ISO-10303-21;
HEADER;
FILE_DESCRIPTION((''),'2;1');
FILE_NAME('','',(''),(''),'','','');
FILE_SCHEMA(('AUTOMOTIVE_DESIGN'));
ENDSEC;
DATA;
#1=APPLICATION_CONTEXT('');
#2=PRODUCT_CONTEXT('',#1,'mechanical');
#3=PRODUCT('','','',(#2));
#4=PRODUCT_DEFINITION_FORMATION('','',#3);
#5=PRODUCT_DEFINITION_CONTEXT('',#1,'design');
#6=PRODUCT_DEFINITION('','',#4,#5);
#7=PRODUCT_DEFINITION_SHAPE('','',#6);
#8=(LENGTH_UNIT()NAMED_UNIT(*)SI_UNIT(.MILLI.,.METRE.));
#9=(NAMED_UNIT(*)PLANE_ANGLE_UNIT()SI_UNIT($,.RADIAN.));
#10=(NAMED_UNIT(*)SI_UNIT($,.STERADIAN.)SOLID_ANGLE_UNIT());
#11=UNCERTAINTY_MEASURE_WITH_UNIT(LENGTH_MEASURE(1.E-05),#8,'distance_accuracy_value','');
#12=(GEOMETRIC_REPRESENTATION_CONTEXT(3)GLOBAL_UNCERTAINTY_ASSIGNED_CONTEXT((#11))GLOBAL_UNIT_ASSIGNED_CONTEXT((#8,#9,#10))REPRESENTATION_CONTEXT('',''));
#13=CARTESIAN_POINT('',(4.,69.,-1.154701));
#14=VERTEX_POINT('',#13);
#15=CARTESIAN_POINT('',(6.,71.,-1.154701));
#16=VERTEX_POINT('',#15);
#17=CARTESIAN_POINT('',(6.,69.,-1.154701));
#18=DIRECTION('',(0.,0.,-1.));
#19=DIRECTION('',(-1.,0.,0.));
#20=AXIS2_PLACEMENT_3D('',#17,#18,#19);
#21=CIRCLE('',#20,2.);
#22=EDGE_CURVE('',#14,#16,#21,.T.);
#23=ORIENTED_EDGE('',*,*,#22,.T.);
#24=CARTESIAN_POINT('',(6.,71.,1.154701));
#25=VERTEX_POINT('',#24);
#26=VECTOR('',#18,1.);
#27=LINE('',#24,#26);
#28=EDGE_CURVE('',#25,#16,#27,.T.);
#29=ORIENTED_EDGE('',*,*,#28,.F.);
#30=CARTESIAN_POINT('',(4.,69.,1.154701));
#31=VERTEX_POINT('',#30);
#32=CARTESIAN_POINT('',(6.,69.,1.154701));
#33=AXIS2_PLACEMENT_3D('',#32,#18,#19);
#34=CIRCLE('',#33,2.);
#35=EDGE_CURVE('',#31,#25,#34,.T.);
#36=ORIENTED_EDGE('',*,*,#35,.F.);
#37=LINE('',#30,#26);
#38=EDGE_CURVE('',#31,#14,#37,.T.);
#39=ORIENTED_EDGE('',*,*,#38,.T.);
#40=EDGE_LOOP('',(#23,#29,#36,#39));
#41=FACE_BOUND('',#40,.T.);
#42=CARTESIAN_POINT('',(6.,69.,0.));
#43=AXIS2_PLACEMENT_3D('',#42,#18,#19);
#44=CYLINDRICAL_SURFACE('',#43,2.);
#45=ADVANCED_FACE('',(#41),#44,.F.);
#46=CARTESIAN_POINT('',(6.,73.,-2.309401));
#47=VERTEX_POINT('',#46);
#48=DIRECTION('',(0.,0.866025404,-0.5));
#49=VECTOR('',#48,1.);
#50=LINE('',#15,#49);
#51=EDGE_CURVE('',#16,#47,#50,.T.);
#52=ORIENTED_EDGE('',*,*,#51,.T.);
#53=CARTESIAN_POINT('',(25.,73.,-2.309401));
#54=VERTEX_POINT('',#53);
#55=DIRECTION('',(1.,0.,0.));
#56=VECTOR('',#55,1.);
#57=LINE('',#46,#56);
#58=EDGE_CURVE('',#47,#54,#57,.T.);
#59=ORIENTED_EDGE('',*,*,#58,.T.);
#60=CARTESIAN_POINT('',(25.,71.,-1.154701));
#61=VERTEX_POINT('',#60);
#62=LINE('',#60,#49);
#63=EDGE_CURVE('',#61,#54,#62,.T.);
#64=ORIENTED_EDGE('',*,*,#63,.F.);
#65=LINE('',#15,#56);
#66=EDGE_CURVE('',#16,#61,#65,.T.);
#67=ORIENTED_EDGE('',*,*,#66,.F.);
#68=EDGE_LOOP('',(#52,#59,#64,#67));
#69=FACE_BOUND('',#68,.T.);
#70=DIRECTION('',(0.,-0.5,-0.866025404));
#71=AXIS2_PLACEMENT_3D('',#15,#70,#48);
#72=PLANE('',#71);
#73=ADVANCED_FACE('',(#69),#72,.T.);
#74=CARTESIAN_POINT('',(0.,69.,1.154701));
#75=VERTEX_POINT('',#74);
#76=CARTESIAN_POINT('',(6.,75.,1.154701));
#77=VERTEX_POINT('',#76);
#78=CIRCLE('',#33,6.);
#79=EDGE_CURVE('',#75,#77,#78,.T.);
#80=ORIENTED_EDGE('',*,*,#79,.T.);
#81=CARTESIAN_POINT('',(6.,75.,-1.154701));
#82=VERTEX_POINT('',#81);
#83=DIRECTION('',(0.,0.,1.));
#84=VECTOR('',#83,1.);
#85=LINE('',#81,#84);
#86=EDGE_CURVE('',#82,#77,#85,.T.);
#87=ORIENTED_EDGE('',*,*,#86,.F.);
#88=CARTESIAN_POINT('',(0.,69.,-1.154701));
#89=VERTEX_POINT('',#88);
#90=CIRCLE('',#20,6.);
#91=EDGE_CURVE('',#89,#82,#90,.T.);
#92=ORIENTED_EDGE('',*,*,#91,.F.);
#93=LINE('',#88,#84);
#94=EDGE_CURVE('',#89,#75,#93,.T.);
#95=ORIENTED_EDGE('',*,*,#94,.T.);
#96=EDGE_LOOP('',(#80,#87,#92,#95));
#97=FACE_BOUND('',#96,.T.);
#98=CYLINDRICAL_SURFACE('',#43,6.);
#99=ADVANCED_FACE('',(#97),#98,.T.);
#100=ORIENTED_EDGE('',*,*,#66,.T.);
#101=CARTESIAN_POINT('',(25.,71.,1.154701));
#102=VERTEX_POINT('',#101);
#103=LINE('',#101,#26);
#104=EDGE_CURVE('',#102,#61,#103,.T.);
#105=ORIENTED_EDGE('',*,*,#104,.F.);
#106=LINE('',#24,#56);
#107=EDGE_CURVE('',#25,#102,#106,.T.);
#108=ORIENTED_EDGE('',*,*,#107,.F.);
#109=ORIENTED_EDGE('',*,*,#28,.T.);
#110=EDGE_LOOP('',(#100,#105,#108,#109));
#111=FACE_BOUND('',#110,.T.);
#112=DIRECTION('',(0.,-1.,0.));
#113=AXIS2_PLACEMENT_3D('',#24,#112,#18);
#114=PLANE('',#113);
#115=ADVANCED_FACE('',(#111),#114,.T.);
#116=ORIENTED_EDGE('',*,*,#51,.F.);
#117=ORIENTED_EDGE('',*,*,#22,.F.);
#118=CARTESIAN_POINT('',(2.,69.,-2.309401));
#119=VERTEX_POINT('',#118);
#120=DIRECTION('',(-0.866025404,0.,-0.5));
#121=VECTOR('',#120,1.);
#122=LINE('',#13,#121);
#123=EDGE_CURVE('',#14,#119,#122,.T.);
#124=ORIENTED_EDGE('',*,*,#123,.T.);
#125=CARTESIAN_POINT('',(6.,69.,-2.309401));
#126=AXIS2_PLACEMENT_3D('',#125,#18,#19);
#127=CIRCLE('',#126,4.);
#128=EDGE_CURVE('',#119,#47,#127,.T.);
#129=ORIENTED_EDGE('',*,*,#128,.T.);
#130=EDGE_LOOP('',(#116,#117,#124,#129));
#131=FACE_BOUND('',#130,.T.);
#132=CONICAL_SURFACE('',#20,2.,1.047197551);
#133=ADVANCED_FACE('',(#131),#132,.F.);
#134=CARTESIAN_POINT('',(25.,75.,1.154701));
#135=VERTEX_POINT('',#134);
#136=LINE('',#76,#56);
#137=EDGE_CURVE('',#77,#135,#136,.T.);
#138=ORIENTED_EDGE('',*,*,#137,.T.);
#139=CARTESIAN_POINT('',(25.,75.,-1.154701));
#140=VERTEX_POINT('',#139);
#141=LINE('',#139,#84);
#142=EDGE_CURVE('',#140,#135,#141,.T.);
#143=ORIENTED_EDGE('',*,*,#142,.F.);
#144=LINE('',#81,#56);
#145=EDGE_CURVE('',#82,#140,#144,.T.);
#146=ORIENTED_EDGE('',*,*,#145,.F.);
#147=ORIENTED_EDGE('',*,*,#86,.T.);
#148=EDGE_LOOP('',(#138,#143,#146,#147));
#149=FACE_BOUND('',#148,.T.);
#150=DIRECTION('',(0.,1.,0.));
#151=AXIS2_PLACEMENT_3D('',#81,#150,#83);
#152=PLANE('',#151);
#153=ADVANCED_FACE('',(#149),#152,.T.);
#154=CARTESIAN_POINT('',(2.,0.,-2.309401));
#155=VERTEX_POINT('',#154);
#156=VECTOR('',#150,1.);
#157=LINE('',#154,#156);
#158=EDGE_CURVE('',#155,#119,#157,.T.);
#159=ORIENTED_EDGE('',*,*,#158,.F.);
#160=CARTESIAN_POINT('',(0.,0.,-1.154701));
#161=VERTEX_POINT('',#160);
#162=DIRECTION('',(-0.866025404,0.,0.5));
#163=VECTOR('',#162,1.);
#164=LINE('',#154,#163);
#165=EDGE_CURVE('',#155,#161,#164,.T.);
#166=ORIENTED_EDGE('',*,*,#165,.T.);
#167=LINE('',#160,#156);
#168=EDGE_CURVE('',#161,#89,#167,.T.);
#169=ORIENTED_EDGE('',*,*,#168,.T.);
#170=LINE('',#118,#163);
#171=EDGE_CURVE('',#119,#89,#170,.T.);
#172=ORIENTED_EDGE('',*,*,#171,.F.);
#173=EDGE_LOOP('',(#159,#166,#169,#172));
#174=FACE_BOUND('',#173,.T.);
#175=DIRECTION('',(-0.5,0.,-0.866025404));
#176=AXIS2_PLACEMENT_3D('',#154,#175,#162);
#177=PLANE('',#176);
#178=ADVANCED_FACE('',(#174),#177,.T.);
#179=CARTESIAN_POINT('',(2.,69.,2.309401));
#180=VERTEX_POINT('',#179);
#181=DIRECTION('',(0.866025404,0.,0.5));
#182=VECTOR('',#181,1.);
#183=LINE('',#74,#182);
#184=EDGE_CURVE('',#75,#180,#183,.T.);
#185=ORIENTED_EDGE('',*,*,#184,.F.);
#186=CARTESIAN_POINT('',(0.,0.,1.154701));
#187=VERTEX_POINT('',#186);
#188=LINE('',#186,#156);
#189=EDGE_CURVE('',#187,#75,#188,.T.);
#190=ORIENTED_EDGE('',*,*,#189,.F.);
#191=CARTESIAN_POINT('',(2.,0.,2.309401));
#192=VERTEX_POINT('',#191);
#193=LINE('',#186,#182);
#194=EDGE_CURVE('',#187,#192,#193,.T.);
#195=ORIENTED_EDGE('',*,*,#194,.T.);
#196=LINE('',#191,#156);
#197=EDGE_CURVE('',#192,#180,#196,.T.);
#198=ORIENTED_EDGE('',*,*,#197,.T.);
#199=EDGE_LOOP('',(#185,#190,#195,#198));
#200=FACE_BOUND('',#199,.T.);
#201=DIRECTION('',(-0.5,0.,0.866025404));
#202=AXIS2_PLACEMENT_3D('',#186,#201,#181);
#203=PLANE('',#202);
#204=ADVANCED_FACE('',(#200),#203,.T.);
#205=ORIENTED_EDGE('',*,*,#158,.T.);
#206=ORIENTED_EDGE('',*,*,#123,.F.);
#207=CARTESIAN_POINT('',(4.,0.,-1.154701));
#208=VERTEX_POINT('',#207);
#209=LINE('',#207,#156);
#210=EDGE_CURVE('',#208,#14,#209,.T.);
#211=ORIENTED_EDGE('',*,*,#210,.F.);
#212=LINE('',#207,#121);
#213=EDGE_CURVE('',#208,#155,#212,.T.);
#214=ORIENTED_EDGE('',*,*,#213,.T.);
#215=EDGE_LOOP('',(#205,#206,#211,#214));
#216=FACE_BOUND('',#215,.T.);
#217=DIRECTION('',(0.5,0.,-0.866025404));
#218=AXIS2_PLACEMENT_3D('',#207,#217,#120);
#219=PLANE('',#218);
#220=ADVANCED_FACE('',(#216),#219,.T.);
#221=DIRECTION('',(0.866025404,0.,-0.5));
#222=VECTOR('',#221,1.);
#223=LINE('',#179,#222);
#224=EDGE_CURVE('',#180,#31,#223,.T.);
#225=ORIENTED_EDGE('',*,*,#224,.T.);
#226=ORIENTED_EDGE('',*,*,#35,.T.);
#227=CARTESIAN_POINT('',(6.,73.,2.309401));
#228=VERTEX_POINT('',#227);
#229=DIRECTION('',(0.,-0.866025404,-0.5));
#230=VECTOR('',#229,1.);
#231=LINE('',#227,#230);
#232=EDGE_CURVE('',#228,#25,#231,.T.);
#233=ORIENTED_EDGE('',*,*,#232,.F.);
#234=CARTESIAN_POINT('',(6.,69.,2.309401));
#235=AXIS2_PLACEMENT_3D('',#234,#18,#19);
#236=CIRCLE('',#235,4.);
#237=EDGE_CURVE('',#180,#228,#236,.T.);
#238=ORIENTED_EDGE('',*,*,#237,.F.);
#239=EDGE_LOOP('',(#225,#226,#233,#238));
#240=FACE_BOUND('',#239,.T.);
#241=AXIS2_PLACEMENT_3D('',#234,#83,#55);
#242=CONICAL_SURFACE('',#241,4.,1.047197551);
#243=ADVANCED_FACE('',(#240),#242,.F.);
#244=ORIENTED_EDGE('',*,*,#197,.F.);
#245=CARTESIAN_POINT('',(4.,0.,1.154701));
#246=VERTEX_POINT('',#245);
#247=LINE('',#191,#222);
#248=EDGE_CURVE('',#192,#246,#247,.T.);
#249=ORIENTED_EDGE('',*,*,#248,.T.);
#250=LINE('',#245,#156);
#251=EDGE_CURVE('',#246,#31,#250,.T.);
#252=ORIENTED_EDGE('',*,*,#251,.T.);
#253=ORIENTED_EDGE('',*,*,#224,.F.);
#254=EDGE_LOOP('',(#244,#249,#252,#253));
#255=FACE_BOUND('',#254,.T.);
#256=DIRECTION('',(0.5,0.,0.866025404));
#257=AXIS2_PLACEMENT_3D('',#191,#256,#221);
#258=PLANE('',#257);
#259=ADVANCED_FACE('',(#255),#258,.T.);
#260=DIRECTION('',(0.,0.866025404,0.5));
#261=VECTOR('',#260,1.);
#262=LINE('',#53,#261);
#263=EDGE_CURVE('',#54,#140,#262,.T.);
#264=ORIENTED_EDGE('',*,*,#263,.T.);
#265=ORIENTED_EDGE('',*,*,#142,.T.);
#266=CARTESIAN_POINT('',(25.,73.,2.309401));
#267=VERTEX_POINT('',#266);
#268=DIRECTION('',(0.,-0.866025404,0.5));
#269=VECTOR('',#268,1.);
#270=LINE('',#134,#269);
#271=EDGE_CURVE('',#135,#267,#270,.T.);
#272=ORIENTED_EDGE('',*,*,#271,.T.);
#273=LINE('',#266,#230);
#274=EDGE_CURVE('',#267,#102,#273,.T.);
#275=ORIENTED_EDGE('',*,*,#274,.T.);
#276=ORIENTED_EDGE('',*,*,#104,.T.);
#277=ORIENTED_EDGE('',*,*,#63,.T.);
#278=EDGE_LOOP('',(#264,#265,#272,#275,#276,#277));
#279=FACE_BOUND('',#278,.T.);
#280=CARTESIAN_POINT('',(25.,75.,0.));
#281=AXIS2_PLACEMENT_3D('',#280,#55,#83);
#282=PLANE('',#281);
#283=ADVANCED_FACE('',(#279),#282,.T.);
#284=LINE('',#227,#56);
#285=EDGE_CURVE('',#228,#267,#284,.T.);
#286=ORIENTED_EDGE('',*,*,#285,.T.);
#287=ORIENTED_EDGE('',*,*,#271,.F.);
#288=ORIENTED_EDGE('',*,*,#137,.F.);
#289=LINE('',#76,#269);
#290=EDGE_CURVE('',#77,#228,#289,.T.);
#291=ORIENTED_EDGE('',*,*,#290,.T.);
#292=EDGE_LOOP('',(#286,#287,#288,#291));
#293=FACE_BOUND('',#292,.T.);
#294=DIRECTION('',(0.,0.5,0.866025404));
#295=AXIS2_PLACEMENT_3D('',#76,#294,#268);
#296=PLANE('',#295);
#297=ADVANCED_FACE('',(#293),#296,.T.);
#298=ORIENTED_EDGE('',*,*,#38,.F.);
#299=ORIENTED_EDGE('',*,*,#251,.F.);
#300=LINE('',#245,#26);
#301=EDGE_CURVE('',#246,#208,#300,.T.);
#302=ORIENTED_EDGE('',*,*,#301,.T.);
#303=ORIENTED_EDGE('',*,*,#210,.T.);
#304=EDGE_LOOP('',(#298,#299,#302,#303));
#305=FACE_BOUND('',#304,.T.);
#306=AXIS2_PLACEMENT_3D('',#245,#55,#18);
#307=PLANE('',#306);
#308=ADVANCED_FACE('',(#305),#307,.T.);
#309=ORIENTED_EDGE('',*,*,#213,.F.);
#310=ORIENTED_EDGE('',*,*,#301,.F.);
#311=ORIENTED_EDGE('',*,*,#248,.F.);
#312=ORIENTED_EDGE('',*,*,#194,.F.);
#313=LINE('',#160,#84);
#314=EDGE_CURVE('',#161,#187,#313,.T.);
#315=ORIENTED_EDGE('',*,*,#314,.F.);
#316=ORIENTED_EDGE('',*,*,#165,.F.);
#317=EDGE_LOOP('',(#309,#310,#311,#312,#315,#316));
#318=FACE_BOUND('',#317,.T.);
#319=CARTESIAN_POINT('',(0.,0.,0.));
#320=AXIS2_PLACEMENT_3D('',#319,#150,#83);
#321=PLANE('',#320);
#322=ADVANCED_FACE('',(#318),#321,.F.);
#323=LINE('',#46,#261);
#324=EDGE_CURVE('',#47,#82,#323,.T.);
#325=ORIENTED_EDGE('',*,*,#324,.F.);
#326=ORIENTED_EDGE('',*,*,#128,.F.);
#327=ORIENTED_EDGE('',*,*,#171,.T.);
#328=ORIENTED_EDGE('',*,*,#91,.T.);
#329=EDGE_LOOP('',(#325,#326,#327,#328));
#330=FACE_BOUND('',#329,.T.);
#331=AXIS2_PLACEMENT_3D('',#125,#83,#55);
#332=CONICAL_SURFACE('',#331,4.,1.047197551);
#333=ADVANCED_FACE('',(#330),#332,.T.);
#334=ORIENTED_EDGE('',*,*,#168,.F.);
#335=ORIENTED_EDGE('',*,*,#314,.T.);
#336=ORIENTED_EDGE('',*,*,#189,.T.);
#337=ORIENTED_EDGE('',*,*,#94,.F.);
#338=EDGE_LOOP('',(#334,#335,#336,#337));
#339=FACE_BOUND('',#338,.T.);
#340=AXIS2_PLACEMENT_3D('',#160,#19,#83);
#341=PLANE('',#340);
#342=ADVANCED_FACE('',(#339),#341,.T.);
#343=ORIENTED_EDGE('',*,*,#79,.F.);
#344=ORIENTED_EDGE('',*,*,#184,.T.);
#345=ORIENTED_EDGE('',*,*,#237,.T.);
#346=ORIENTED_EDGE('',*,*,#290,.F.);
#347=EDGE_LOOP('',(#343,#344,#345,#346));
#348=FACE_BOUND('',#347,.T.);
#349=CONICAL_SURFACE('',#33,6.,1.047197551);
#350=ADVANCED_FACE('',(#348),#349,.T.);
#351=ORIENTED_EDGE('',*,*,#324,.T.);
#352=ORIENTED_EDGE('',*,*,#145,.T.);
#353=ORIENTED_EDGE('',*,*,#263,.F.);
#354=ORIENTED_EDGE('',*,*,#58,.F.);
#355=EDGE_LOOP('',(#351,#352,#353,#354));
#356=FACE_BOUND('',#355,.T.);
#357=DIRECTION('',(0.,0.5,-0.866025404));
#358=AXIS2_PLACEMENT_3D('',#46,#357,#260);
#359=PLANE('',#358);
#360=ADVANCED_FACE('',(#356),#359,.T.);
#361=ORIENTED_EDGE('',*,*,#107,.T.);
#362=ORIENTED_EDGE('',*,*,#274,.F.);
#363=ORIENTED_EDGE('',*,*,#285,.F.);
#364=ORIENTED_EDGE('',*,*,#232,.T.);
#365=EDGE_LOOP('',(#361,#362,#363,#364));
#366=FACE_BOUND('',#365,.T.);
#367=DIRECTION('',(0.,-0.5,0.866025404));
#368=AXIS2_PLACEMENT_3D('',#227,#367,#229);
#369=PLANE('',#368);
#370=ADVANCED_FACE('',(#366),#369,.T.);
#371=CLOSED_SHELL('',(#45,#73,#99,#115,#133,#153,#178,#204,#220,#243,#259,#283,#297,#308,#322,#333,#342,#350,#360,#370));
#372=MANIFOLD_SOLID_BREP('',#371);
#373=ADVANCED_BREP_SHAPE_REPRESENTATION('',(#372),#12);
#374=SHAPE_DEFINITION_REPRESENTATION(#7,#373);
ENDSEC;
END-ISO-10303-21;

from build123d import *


with BuildPart() as part:
    # Sweep1: sweep along a path in Sketch2
    with BuildLine(Plane.XY) as sweep1_path:
        Line((0, 0), (0, 69))
        ThreePointArc((0, 69), (1.757359313, 73.242640687), (6, 75))
        Line((6, 75), (25, 75))
    # Sketch3 → Sweep1 (sweep)
    with BuildSketch(Plane(origin=(0, 0, 0), x_dir=(1, 0, 0), z_dir=(0, 1, 0))):
        Polygon((2, 2.309401077), (0, 1.154700538), (0, -1.154700538), (2, -2.309401077), (4, -1.154700538), (4, 1.154700538), align=None)
    sweep(path=sweep1_path.line)


solid = part.part
